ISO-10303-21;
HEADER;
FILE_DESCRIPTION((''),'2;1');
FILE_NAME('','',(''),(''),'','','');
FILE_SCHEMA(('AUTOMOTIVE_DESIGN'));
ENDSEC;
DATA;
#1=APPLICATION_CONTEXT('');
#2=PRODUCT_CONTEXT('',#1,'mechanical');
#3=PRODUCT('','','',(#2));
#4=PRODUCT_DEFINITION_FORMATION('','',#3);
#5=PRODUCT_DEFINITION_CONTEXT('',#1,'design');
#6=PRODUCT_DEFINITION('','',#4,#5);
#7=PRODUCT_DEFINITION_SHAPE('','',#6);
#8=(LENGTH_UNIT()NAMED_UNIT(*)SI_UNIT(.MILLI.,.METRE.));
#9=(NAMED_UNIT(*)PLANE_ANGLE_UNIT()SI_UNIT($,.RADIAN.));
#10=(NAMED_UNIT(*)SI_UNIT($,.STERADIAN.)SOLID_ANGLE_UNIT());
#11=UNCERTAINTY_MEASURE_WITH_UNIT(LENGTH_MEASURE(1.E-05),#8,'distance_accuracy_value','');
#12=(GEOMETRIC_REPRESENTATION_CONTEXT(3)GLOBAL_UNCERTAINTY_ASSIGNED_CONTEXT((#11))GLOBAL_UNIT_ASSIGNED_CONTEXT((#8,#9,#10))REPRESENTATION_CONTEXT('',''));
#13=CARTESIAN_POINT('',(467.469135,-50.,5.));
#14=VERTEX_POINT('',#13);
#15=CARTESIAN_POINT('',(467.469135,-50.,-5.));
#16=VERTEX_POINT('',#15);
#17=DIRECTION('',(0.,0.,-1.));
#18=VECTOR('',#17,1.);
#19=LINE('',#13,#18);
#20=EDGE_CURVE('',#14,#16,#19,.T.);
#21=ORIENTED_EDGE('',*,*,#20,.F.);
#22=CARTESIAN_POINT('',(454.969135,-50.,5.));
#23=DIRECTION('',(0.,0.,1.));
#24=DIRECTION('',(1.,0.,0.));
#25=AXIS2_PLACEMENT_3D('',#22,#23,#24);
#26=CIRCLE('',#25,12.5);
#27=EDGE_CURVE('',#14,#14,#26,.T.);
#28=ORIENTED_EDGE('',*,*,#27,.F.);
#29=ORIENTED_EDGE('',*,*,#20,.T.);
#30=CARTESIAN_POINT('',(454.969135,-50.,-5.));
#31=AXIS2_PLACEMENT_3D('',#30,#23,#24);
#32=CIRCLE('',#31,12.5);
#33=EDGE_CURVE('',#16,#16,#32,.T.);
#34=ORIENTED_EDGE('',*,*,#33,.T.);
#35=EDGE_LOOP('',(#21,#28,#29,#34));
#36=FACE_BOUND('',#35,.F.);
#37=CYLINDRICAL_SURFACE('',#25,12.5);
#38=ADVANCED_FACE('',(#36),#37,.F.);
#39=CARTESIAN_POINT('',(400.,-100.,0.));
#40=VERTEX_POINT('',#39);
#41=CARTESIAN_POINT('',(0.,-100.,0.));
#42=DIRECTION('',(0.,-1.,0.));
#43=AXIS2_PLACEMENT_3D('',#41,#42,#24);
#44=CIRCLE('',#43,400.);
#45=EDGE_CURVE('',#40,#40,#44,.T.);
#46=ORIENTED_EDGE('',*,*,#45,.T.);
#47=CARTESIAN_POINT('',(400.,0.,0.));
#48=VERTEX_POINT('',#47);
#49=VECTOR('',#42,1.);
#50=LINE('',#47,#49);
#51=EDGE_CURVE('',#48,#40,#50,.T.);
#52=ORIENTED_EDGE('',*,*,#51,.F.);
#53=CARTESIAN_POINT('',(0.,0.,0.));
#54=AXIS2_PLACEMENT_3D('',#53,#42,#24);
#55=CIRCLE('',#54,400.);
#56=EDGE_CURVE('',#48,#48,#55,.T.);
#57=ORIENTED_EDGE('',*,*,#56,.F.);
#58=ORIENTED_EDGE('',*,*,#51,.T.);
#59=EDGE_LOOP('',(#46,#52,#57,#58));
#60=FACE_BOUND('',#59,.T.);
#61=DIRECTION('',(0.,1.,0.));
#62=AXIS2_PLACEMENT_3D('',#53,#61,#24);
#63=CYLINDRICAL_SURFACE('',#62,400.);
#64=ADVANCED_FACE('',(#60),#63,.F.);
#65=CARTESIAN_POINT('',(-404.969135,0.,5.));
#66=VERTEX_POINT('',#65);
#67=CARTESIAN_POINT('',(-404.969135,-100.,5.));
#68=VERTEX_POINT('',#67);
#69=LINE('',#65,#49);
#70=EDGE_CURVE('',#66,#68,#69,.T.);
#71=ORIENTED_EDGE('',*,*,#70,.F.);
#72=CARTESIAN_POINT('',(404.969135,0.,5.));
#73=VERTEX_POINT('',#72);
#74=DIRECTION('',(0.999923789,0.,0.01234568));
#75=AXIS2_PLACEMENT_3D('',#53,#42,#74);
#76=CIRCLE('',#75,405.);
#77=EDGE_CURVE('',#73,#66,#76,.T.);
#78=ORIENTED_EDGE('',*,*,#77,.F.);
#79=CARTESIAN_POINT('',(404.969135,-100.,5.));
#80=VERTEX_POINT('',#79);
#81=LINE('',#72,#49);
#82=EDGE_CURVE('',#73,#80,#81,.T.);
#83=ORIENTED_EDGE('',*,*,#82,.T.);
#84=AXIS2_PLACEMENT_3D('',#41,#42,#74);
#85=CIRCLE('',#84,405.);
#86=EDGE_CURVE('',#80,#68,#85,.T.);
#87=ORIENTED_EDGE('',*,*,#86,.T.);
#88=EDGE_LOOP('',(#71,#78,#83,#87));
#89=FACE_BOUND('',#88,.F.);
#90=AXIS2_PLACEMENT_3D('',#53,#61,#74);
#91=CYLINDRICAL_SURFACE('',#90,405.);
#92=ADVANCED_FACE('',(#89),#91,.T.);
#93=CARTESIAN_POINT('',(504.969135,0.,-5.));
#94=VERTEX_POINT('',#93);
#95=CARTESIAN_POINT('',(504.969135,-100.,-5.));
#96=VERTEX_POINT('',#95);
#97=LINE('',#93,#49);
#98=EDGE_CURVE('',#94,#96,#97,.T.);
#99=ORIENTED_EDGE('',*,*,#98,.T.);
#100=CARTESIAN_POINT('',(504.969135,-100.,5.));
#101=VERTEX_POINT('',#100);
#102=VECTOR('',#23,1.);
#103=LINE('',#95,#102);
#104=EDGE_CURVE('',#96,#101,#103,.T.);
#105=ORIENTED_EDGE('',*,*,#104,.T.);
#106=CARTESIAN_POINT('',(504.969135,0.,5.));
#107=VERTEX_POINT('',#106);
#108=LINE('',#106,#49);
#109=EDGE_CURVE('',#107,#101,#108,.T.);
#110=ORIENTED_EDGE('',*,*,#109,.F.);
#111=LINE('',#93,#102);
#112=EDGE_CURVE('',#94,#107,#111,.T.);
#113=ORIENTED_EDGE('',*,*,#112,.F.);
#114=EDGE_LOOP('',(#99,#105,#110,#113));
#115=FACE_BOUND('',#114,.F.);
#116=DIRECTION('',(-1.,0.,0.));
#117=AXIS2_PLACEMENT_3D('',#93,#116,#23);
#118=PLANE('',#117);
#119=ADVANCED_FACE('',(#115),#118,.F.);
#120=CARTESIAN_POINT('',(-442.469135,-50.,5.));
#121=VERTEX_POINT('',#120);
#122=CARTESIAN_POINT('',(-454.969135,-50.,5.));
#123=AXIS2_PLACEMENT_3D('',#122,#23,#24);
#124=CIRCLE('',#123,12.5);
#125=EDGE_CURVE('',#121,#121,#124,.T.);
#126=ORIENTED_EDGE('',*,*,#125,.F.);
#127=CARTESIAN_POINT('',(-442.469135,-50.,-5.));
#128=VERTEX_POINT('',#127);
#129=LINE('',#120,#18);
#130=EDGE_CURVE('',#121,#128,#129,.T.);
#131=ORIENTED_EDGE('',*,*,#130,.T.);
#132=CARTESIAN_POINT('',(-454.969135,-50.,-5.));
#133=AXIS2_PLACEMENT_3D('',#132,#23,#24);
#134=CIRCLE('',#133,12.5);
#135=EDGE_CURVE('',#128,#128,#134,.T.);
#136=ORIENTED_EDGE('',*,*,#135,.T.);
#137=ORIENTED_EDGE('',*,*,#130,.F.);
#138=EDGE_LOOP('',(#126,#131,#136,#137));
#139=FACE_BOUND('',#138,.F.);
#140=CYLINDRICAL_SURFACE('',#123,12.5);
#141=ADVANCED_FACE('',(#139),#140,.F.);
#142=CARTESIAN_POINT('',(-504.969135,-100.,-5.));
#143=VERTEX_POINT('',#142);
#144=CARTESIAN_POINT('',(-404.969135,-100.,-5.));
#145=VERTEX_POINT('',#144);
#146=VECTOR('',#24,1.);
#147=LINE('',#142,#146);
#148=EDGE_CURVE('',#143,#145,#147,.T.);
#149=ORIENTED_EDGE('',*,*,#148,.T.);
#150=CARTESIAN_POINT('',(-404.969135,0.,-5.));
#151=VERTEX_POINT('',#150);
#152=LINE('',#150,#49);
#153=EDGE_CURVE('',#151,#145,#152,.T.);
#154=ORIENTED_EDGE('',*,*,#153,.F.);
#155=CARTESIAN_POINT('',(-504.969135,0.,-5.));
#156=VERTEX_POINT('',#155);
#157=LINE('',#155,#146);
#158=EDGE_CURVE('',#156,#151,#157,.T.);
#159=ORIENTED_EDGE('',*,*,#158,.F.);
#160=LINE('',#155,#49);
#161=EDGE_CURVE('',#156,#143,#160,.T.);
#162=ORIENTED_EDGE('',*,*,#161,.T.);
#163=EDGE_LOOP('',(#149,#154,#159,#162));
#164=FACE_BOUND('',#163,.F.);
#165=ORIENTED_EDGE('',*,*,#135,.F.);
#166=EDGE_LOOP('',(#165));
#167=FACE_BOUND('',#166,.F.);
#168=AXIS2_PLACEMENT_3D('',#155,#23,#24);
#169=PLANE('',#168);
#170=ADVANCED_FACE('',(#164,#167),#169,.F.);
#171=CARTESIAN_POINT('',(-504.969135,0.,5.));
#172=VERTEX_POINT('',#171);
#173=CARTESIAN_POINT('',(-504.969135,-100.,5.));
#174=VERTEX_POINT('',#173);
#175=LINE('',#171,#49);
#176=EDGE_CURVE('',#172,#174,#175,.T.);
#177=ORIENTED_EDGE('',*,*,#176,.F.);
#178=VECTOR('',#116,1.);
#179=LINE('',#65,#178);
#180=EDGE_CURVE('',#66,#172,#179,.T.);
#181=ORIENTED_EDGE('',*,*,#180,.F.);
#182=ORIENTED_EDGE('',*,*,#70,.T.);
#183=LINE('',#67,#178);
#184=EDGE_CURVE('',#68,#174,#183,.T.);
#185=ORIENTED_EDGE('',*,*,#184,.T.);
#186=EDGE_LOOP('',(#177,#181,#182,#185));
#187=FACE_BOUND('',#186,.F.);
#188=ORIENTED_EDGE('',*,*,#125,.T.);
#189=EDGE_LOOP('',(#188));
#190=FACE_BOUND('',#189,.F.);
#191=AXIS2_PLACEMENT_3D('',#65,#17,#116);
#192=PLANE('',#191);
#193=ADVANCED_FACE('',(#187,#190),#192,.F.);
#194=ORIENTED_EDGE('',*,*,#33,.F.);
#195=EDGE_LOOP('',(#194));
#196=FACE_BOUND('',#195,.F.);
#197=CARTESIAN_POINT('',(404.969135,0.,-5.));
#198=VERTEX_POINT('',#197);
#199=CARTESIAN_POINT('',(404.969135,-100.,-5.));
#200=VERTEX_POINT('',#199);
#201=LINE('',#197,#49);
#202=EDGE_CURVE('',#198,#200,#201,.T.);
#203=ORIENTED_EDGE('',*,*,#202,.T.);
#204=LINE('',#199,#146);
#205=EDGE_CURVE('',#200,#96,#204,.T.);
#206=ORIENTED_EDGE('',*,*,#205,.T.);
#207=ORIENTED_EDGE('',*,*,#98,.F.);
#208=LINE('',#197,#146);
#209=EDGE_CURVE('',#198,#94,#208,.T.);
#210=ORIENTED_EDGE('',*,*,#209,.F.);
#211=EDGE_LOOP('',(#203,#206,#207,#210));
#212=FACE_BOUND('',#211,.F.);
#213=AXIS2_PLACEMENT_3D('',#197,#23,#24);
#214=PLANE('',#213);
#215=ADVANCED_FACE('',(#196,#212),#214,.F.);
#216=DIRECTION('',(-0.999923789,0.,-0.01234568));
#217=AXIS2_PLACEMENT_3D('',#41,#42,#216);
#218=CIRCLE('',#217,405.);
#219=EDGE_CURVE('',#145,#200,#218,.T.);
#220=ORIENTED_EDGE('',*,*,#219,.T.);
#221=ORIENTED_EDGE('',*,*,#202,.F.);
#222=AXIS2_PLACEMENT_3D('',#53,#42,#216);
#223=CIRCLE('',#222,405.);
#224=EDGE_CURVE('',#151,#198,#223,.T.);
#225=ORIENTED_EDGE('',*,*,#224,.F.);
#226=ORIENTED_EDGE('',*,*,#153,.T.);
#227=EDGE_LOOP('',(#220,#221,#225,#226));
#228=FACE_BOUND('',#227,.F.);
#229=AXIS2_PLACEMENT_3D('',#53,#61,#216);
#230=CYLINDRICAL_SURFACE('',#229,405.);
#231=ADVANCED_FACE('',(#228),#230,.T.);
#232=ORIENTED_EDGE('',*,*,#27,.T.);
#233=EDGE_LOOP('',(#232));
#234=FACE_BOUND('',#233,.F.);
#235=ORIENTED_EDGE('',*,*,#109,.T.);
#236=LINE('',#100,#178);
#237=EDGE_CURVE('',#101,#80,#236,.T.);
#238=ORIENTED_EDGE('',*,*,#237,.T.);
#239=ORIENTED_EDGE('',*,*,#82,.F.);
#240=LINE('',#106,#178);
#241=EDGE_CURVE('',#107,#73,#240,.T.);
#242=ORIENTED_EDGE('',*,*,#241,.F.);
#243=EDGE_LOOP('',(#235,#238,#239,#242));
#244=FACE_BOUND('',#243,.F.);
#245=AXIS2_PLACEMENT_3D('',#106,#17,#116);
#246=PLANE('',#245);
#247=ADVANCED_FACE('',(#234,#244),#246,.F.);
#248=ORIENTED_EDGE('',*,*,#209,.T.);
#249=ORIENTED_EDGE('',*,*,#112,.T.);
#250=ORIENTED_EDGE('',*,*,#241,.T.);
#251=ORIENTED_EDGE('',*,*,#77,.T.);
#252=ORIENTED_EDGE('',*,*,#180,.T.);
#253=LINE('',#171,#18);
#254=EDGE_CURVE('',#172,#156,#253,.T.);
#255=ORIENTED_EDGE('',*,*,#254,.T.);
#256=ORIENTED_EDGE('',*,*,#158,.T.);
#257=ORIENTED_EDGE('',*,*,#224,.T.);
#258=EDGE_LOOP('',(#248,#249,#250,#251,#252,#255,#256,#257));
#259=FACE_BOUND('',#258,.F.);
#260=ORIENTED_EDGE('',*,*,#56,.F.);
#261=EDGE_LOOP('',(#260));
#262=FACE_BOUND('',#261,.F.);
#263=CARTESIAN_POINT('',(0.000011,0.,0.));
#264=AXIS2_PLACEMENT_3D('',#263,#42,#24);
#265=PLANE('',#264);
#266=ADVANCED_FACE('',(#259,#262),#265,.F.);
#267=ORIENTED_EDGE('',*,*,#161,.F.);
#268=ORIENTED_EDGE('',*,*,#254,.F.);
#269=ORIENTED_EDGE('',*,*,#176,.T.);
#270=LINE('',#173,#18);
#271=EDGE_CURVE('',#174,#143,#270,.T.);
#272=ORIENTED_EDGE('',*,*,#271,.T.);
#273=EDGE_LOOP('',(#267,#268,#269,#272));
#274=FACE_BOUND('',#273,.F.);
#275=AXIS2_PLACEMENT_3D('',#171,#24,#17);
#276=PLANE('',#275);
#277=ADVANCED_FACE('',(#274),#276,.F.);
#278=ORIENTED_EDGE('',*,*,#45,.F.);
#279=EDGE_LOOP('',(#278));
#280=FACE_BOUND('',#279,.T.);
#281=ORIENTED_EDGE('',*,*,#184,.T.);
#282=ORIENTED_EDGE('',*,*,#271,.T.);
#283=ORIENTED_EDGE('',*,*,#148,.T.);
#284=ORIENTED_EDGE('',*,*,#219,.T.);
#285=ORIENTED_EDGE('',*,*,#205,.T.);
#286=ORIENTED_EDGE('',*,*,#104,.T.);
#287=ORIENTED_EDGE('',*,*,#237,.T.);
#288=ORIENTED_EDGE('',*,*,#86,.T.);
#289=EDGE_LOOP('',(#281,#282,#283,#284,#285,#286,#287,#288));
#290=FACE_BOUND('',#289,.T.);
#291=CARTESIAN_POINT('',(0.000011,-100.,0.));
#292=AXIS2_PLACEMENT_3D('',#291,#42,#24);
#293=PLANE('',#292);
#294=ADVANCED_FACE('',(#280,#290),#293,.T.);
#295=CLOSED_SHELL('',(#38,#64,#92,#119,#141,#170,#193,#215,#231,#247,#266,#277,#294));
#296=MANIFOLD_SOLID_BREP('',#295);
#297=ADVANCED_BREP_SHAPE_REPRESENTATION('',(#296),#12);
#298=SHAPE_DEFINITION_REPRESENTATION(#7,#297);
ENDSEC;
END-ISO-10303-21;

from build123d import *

# Parameters (mm, degrees)
F0_R     = 400
F1_DEPTH = 100
F2_R     = 12.5
F3_DEPTH = 25


with BuildPart() as f1:
    # F0 (on Front) → F1 (new body)
    with BuildSketch(Plane.XZ):
        with BuildLine():
            ThreePointArc((404.969135, -5), (404.992284, -2.500048), (405, 0))
            ThreePointArc((405, 0), (404.992284, 2.500048), (404.969135, 5))
            ThreePointArc((404.969135, 5), (0, 405), (-404.969135, 5))
            ThreePointArc((-404.969135, 5), (-405, 0), (-404.969135, -5))
            ThreePointArc((-404.969135, -5), (0, -405), (404.969135, -5))
        make_face()
        Circle(F0_R, mode=Mode.SUBTRACT)
        with BuildLine():
            ThreePointArc((404.969135, 5), (404.992284, 2.500048), (405, 0))
            ThreePointArc((405, 0), (404.992284, -2.500048), (404.969135, -5))
            Line((404.969135, -5), (504.969135, -5))
            Line((504.969135, -5), (504.969135, 0))
            Line((504.969135, 0), (504.969135, 5))
            Line((504.969135, 5), (404.969135, 5))
        make_face()
        with BuildLine():
            ThreePointArc((-404.969135, -5), (-405, 0), (-404.969135, 5))
            Line((-404.969135, 5), (-504.969135, 5))
            Line((-504.969135, 5), (-504.969135, 0))
            Line((-504.969135, 0), (-504.969135, -5))
            Line((-504.969135, -5), (-404.969135, -5))
        make_face()
    extrude(amount=F1_DEPTH)

    # F2 (on face) → F3 (cut)
    with BuildSketch(Plane.XY.offset(5)):
        with Locations((-454.969135, -50)):
            Circle(F2_R)
        with Locations((454.969135, -50)):
            Circle(F2_R)
    extrude(amount=-F3_DEPTH, mode=Mode.SUBTRACT)


solid = f1.part
